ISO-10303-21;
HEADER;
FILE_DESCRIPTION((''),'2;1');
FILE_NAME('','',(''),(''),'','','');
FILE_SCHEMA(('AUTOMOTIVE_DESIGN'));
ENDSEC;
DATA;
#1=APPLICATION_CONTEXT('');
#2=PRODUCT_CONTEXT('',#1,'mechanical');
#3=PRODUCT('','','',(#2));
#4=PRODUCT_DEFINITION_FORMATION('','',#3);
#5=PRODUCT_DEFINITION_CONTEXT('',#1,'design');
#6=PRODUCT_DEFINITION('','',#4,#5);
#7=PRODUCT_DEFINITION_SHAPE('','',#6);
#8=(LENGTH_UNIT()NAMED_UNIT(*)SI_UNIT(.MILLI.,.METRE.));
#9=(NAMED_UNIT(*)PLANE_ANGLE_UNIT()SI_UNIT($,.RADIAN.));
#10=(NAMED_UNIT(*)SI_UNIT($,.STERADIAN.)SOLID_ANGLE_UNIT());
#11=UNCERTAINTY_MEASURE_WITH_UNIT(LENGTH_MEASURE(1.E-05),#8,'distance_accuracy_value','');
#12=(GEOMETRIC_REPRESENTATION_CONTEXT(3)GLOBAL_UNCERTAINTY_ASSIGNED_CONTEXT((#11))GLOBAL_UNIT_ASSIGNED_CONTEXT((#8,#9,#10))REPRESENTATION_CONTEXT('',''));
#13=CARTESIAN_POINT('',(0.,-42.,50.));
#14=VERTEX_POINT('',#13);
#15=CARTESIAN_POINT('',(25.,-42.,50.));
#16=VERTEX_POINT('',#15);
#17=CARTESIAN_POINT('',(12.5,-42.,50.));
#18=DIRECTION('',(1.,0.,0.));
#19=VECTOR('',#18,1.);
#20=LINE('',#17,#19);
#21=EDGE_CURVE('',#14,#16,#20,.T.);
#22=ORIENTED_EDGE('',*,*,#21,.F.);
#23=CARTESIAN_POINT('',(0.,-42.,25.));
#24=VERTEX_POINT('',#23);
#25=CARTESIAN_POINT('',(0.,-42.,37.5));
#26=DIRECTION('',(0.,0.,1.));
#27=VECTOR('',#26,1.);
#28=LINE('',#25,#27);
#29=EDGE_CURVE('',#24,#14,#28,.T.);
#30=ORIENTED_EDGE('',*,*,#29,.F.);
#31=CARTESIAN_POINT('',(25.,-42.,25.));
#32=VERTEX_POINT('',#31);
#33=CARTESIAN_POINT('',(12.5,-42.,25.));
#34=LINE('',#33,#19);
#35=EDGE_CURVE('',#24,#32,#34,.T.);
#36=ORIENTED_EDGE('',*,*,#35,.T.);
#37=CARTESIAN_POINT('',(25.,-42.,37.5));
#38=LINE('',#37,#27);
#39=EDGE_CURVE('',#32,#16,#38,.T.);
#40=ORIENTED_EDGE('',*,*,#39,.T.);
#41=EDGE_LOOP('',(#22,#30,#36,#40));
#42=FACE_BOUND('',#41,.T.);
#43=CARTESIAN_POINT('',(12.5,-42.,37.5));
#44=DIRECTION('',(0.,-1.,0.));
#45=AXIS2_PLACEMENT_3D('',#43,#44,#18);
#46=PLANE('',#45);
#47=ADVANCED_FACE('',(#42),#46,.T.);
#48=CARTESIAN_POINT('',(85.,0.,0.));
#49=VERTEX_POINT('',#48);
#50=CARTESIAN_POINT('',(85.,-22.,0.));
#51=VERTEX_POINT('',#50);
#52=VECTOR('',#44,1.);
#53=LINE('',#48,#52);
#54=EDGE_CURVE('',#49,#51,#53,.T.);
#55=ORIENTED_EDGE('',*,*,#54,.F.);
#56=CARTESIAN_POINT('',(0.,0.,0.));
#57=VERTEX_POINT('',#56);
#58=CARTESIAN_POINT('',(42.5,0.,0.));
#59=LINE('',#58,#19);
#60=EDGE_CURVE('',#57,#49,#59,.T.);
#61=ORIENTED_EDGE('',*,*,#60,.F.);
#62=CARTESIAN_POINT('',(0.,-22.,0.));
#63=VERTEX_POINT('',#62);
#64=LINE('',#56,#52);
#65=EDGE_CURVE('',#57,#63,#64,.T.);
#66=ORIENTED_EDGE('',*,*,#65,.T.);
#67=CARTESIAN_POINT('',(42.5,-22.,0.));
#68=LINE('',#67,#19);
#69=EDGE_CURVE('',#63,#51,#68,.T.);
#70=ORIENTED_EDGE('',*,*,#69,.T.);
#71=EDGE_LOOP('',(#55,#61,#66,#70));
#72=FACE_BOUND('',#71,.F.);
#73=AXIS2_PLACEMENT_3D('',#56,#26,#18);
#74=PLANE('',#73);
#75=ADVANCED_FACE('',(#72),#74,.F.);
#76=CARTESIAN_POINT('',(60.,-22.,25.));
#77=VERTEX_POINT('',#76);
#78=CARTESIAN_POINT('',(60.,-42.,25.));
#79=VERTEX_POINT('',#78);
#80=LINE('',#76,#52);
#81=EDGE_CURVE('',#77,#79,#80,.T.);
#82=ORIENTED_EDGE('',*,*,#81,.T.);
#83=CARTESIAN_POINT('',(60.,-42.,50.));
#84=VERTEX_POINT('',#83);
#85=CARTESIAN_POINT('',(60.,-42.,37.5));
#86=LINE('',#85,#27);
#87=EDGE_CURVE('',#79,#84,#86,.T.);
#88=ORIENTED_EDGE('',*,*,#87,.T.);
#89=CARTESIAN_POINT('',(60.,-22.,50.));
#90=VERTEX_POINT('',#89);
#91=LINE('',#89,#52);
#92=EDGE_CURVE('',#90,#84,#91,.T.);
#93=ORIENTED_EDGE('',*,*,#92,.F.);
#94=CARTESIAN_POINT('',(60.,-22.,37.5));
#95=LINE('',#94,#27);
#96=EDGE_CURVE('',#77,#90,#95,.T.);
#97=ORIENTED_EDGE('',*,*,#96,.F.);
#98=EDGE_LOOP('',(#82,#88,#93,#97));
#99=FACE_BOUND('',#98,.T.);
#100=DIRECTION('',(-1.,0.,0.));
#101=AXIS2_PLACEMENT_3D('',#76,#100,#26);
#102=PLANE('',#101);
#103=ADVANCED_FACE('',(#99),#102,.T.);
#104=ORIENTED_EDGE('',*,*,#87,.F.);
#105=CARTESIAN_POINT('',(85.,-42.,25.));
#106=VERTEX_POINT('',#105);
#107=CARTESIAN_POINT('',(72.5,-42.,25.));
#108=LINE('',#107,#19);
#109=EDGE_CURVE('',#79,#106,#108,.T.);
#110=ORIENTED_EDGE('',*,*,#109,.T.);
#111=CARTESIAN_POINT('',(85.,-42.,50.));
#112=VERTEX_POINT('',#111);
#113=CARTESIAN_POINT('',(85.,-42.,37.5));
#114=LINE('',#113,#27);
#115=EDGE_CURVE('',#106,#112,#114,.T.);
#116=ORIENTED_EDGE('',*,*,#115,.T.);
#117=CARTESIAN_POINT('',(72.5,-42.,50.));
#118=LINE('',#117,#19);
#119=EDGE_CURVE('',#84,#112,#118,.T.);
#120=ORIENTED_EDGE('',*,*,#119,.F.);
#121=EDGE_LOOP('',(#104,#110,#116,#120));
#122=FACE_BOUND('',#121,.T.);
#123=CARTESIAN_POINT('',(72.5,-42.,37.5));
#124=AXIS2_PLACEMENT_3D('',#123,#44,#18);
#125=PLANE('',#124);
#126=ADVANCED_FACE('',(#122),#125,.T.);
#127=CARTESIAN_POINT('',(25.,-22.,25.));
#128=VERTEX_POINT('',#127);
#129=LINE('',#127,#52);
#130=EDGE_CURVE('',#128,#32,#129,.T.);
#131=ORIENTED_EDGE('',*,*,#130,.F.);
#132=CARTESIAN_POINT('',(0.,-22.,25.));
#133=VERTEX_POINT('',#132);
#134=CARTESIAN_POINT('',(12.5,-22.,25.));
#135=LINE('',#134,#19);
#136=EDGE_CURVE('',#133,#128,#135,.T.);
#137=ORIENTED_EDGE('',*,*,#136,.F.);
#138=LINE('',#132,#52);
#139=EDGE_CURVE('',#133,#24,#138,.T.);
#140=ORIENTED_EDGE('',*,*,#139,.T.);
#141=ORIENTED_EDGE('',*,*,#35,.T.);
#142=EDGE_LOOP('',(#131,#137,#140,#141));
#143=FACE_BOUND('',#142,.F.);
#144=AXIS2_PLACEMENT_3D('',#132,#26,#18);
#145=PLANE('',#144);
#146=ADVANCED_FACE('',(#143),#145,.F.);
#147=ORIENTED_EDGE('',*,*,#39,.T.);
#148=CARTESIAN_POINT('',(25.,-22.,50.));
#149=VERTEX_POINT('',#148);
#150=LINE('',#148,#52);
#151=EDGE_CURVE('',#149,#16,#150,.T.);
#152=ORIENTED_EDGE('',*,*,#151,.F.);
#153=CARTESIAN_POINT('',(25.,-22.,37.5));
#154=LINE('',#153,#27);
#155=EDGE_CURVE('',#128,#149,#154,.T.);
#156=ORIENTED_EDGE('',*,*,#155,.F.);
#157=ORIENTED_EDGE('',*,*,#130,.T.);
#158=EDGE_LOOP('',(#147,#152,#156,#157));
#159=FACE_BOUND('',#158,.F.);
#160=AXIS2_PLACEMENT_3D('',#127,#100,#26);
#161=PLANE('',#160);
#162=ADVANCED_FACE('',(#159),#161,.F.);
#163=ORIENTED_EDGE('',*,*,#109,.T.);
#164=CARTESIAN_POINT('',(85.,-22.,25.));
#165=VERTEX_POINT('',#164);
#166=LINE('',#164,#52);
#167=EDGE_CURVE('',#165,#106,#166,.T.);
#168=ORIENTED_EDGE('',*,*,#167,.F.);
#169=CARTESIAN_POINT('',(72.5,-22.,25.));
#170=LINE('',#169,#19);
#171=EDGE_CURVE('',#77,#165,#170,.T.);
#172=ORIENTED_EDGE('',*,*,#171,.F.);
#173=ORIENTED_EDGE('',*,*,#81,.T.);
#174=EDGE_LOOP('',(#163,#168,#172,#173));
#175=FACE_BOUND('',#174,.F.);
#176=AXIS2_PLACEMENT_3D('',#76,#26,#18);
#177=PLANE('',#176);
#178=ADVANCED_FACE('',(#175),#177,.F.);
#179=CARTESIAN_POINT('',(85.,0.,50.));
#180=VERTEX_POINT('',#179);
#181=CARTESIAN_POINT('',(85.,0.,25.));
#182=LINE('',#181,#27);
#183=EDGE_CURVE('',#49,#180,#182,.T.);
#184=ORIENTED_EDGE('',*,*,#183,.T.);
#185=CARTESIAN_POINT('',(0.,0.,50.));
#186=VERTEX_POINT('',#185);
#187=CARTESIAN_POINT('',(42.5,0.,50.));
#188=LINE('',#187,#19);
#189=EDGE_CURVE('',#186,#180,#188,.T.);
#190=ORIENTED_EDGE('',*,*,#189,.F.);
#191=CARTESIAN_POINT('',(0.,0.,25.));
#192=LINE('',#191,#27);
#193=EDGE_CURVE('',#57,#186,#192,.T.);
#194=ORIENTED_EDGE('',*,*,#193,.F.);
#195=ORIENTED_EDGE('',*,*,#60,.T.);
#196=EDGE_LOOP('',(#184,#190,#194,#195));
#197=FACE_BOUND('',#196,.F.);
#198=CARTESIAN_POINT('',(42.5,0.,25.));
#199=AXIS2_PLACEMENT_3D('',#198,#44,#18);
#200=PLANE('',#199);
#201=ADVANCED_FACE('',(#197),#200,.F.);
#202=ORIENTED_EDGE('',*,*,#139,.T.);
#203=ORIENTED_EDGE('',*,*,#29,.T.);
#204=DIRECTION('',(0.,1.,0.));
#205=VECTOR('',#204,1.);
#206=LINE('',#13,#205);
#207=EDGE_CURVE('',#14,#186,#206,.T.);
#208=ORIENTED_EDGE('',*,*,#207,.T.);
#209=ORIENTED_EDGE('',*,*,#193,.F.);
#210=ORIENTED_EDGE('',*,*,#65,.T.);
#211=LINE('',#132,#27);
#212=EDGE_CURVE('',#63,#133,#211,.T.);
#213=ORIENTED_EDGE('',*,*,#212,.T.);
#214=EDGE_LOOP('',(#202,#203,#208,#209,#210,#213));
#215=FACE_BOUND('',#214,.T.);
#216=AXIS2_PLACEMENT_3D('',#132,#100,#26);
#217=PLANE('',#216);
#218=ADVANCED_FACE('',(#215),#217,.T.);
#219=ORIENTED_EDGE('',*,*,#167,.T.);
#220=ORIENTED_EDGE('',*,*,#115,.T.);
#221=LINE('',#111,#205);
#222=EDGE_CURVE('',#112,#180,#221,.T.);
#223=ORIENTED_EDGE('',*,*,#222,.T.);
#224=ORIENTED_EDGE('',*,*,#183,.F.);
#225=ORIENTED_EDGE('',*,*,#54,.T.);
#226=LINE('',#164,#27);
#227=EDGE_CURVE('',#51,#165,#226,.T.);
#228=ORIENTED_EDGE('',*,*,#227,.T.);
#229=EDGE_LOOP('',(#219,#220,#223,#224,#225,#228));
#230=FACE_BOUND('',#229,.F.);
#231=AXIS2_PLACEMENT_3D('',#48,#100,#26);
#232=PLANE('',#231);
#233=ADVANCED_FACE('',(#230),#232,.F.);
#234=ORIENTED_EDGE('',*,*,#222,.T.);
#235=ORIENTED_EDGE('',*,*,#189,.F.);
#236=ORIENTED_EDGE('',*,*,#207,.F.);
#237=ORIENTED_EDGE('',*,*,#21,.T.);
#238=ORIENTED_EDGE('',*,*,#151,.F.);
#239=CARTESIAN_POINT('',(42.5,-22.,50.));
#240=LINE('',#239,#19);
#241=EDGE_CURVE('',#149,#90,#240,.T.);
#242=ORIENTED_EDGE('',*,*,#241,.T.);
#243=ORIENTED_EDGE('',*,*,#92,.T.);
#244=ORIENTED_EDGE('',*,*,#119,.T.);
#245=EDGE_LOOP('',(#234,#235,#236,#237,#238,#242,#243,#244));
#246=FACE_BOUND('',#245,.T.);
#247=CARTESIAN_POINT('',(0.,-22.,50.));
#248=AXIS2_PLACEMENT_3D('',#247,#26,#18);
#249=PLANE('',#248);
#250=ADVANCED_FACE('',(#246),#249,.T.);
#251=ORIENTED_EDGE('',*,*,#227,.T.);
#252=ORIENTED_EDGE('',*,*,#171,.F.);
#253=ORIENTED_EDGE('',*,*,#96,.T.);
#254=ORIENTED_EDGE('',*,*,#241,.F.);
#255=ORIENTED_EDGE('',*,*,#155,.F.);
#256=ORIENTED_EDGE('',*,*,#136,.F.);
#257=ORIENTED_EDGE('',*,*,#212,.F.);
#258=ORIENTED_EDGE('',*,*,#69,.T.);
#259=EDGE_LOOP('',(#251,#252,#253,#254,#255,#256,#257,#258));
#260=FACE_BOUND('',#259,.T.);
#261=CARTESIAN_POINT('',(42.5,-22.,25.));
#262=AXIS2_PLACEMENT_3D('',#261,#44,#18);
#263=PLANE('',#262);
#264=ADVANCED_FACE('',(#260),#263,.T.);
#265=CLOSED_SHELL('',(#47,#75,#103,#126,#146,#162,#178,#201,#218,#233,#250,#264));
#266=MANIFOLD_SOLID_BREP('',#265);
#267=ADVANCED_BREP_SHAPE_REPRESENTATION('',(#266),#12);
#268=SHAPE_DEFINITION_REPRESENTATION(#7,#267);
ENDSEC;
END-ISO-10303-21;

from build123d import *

# Parameters (mm, degrees)
F0_W     = 85
F0_H     = 50
F1_DEPTH = 22
F2_W     = 25
F2_H     = 25
F3_DEPTH = 20
F4_DEPTH = 20


with BuildPart() as f1:
    # F0 (on Front) → F1 (new body)
    with BuildSketch(Plane.XZ):
        with Locations((42.5, 25)):
            Rectangle(F0_W, F0_H)
    extrude(amount=F1_DEPTH)

    # F2 (on face) → F3 (join)
    with BuildSketch(Plane.XZ.offset(22)):
        with Locations((12.5, 37.5)):
            Rectangle(F2_W, F2_H)
    extrude(amount=F3_DEPTH)

    # F2 (on face) → F4 (join)
    with BuildSketch(Plane.XZ.offset(22)):
        with Locations((12.5, 37.5)):
            Rectangle(F2_W, F2_H)
        with Locations((72.5, 37.5)):
            Rectangle(F2_W, F2_H)
    extrude(amount=F4_DEPTH)


solid = f1.part
